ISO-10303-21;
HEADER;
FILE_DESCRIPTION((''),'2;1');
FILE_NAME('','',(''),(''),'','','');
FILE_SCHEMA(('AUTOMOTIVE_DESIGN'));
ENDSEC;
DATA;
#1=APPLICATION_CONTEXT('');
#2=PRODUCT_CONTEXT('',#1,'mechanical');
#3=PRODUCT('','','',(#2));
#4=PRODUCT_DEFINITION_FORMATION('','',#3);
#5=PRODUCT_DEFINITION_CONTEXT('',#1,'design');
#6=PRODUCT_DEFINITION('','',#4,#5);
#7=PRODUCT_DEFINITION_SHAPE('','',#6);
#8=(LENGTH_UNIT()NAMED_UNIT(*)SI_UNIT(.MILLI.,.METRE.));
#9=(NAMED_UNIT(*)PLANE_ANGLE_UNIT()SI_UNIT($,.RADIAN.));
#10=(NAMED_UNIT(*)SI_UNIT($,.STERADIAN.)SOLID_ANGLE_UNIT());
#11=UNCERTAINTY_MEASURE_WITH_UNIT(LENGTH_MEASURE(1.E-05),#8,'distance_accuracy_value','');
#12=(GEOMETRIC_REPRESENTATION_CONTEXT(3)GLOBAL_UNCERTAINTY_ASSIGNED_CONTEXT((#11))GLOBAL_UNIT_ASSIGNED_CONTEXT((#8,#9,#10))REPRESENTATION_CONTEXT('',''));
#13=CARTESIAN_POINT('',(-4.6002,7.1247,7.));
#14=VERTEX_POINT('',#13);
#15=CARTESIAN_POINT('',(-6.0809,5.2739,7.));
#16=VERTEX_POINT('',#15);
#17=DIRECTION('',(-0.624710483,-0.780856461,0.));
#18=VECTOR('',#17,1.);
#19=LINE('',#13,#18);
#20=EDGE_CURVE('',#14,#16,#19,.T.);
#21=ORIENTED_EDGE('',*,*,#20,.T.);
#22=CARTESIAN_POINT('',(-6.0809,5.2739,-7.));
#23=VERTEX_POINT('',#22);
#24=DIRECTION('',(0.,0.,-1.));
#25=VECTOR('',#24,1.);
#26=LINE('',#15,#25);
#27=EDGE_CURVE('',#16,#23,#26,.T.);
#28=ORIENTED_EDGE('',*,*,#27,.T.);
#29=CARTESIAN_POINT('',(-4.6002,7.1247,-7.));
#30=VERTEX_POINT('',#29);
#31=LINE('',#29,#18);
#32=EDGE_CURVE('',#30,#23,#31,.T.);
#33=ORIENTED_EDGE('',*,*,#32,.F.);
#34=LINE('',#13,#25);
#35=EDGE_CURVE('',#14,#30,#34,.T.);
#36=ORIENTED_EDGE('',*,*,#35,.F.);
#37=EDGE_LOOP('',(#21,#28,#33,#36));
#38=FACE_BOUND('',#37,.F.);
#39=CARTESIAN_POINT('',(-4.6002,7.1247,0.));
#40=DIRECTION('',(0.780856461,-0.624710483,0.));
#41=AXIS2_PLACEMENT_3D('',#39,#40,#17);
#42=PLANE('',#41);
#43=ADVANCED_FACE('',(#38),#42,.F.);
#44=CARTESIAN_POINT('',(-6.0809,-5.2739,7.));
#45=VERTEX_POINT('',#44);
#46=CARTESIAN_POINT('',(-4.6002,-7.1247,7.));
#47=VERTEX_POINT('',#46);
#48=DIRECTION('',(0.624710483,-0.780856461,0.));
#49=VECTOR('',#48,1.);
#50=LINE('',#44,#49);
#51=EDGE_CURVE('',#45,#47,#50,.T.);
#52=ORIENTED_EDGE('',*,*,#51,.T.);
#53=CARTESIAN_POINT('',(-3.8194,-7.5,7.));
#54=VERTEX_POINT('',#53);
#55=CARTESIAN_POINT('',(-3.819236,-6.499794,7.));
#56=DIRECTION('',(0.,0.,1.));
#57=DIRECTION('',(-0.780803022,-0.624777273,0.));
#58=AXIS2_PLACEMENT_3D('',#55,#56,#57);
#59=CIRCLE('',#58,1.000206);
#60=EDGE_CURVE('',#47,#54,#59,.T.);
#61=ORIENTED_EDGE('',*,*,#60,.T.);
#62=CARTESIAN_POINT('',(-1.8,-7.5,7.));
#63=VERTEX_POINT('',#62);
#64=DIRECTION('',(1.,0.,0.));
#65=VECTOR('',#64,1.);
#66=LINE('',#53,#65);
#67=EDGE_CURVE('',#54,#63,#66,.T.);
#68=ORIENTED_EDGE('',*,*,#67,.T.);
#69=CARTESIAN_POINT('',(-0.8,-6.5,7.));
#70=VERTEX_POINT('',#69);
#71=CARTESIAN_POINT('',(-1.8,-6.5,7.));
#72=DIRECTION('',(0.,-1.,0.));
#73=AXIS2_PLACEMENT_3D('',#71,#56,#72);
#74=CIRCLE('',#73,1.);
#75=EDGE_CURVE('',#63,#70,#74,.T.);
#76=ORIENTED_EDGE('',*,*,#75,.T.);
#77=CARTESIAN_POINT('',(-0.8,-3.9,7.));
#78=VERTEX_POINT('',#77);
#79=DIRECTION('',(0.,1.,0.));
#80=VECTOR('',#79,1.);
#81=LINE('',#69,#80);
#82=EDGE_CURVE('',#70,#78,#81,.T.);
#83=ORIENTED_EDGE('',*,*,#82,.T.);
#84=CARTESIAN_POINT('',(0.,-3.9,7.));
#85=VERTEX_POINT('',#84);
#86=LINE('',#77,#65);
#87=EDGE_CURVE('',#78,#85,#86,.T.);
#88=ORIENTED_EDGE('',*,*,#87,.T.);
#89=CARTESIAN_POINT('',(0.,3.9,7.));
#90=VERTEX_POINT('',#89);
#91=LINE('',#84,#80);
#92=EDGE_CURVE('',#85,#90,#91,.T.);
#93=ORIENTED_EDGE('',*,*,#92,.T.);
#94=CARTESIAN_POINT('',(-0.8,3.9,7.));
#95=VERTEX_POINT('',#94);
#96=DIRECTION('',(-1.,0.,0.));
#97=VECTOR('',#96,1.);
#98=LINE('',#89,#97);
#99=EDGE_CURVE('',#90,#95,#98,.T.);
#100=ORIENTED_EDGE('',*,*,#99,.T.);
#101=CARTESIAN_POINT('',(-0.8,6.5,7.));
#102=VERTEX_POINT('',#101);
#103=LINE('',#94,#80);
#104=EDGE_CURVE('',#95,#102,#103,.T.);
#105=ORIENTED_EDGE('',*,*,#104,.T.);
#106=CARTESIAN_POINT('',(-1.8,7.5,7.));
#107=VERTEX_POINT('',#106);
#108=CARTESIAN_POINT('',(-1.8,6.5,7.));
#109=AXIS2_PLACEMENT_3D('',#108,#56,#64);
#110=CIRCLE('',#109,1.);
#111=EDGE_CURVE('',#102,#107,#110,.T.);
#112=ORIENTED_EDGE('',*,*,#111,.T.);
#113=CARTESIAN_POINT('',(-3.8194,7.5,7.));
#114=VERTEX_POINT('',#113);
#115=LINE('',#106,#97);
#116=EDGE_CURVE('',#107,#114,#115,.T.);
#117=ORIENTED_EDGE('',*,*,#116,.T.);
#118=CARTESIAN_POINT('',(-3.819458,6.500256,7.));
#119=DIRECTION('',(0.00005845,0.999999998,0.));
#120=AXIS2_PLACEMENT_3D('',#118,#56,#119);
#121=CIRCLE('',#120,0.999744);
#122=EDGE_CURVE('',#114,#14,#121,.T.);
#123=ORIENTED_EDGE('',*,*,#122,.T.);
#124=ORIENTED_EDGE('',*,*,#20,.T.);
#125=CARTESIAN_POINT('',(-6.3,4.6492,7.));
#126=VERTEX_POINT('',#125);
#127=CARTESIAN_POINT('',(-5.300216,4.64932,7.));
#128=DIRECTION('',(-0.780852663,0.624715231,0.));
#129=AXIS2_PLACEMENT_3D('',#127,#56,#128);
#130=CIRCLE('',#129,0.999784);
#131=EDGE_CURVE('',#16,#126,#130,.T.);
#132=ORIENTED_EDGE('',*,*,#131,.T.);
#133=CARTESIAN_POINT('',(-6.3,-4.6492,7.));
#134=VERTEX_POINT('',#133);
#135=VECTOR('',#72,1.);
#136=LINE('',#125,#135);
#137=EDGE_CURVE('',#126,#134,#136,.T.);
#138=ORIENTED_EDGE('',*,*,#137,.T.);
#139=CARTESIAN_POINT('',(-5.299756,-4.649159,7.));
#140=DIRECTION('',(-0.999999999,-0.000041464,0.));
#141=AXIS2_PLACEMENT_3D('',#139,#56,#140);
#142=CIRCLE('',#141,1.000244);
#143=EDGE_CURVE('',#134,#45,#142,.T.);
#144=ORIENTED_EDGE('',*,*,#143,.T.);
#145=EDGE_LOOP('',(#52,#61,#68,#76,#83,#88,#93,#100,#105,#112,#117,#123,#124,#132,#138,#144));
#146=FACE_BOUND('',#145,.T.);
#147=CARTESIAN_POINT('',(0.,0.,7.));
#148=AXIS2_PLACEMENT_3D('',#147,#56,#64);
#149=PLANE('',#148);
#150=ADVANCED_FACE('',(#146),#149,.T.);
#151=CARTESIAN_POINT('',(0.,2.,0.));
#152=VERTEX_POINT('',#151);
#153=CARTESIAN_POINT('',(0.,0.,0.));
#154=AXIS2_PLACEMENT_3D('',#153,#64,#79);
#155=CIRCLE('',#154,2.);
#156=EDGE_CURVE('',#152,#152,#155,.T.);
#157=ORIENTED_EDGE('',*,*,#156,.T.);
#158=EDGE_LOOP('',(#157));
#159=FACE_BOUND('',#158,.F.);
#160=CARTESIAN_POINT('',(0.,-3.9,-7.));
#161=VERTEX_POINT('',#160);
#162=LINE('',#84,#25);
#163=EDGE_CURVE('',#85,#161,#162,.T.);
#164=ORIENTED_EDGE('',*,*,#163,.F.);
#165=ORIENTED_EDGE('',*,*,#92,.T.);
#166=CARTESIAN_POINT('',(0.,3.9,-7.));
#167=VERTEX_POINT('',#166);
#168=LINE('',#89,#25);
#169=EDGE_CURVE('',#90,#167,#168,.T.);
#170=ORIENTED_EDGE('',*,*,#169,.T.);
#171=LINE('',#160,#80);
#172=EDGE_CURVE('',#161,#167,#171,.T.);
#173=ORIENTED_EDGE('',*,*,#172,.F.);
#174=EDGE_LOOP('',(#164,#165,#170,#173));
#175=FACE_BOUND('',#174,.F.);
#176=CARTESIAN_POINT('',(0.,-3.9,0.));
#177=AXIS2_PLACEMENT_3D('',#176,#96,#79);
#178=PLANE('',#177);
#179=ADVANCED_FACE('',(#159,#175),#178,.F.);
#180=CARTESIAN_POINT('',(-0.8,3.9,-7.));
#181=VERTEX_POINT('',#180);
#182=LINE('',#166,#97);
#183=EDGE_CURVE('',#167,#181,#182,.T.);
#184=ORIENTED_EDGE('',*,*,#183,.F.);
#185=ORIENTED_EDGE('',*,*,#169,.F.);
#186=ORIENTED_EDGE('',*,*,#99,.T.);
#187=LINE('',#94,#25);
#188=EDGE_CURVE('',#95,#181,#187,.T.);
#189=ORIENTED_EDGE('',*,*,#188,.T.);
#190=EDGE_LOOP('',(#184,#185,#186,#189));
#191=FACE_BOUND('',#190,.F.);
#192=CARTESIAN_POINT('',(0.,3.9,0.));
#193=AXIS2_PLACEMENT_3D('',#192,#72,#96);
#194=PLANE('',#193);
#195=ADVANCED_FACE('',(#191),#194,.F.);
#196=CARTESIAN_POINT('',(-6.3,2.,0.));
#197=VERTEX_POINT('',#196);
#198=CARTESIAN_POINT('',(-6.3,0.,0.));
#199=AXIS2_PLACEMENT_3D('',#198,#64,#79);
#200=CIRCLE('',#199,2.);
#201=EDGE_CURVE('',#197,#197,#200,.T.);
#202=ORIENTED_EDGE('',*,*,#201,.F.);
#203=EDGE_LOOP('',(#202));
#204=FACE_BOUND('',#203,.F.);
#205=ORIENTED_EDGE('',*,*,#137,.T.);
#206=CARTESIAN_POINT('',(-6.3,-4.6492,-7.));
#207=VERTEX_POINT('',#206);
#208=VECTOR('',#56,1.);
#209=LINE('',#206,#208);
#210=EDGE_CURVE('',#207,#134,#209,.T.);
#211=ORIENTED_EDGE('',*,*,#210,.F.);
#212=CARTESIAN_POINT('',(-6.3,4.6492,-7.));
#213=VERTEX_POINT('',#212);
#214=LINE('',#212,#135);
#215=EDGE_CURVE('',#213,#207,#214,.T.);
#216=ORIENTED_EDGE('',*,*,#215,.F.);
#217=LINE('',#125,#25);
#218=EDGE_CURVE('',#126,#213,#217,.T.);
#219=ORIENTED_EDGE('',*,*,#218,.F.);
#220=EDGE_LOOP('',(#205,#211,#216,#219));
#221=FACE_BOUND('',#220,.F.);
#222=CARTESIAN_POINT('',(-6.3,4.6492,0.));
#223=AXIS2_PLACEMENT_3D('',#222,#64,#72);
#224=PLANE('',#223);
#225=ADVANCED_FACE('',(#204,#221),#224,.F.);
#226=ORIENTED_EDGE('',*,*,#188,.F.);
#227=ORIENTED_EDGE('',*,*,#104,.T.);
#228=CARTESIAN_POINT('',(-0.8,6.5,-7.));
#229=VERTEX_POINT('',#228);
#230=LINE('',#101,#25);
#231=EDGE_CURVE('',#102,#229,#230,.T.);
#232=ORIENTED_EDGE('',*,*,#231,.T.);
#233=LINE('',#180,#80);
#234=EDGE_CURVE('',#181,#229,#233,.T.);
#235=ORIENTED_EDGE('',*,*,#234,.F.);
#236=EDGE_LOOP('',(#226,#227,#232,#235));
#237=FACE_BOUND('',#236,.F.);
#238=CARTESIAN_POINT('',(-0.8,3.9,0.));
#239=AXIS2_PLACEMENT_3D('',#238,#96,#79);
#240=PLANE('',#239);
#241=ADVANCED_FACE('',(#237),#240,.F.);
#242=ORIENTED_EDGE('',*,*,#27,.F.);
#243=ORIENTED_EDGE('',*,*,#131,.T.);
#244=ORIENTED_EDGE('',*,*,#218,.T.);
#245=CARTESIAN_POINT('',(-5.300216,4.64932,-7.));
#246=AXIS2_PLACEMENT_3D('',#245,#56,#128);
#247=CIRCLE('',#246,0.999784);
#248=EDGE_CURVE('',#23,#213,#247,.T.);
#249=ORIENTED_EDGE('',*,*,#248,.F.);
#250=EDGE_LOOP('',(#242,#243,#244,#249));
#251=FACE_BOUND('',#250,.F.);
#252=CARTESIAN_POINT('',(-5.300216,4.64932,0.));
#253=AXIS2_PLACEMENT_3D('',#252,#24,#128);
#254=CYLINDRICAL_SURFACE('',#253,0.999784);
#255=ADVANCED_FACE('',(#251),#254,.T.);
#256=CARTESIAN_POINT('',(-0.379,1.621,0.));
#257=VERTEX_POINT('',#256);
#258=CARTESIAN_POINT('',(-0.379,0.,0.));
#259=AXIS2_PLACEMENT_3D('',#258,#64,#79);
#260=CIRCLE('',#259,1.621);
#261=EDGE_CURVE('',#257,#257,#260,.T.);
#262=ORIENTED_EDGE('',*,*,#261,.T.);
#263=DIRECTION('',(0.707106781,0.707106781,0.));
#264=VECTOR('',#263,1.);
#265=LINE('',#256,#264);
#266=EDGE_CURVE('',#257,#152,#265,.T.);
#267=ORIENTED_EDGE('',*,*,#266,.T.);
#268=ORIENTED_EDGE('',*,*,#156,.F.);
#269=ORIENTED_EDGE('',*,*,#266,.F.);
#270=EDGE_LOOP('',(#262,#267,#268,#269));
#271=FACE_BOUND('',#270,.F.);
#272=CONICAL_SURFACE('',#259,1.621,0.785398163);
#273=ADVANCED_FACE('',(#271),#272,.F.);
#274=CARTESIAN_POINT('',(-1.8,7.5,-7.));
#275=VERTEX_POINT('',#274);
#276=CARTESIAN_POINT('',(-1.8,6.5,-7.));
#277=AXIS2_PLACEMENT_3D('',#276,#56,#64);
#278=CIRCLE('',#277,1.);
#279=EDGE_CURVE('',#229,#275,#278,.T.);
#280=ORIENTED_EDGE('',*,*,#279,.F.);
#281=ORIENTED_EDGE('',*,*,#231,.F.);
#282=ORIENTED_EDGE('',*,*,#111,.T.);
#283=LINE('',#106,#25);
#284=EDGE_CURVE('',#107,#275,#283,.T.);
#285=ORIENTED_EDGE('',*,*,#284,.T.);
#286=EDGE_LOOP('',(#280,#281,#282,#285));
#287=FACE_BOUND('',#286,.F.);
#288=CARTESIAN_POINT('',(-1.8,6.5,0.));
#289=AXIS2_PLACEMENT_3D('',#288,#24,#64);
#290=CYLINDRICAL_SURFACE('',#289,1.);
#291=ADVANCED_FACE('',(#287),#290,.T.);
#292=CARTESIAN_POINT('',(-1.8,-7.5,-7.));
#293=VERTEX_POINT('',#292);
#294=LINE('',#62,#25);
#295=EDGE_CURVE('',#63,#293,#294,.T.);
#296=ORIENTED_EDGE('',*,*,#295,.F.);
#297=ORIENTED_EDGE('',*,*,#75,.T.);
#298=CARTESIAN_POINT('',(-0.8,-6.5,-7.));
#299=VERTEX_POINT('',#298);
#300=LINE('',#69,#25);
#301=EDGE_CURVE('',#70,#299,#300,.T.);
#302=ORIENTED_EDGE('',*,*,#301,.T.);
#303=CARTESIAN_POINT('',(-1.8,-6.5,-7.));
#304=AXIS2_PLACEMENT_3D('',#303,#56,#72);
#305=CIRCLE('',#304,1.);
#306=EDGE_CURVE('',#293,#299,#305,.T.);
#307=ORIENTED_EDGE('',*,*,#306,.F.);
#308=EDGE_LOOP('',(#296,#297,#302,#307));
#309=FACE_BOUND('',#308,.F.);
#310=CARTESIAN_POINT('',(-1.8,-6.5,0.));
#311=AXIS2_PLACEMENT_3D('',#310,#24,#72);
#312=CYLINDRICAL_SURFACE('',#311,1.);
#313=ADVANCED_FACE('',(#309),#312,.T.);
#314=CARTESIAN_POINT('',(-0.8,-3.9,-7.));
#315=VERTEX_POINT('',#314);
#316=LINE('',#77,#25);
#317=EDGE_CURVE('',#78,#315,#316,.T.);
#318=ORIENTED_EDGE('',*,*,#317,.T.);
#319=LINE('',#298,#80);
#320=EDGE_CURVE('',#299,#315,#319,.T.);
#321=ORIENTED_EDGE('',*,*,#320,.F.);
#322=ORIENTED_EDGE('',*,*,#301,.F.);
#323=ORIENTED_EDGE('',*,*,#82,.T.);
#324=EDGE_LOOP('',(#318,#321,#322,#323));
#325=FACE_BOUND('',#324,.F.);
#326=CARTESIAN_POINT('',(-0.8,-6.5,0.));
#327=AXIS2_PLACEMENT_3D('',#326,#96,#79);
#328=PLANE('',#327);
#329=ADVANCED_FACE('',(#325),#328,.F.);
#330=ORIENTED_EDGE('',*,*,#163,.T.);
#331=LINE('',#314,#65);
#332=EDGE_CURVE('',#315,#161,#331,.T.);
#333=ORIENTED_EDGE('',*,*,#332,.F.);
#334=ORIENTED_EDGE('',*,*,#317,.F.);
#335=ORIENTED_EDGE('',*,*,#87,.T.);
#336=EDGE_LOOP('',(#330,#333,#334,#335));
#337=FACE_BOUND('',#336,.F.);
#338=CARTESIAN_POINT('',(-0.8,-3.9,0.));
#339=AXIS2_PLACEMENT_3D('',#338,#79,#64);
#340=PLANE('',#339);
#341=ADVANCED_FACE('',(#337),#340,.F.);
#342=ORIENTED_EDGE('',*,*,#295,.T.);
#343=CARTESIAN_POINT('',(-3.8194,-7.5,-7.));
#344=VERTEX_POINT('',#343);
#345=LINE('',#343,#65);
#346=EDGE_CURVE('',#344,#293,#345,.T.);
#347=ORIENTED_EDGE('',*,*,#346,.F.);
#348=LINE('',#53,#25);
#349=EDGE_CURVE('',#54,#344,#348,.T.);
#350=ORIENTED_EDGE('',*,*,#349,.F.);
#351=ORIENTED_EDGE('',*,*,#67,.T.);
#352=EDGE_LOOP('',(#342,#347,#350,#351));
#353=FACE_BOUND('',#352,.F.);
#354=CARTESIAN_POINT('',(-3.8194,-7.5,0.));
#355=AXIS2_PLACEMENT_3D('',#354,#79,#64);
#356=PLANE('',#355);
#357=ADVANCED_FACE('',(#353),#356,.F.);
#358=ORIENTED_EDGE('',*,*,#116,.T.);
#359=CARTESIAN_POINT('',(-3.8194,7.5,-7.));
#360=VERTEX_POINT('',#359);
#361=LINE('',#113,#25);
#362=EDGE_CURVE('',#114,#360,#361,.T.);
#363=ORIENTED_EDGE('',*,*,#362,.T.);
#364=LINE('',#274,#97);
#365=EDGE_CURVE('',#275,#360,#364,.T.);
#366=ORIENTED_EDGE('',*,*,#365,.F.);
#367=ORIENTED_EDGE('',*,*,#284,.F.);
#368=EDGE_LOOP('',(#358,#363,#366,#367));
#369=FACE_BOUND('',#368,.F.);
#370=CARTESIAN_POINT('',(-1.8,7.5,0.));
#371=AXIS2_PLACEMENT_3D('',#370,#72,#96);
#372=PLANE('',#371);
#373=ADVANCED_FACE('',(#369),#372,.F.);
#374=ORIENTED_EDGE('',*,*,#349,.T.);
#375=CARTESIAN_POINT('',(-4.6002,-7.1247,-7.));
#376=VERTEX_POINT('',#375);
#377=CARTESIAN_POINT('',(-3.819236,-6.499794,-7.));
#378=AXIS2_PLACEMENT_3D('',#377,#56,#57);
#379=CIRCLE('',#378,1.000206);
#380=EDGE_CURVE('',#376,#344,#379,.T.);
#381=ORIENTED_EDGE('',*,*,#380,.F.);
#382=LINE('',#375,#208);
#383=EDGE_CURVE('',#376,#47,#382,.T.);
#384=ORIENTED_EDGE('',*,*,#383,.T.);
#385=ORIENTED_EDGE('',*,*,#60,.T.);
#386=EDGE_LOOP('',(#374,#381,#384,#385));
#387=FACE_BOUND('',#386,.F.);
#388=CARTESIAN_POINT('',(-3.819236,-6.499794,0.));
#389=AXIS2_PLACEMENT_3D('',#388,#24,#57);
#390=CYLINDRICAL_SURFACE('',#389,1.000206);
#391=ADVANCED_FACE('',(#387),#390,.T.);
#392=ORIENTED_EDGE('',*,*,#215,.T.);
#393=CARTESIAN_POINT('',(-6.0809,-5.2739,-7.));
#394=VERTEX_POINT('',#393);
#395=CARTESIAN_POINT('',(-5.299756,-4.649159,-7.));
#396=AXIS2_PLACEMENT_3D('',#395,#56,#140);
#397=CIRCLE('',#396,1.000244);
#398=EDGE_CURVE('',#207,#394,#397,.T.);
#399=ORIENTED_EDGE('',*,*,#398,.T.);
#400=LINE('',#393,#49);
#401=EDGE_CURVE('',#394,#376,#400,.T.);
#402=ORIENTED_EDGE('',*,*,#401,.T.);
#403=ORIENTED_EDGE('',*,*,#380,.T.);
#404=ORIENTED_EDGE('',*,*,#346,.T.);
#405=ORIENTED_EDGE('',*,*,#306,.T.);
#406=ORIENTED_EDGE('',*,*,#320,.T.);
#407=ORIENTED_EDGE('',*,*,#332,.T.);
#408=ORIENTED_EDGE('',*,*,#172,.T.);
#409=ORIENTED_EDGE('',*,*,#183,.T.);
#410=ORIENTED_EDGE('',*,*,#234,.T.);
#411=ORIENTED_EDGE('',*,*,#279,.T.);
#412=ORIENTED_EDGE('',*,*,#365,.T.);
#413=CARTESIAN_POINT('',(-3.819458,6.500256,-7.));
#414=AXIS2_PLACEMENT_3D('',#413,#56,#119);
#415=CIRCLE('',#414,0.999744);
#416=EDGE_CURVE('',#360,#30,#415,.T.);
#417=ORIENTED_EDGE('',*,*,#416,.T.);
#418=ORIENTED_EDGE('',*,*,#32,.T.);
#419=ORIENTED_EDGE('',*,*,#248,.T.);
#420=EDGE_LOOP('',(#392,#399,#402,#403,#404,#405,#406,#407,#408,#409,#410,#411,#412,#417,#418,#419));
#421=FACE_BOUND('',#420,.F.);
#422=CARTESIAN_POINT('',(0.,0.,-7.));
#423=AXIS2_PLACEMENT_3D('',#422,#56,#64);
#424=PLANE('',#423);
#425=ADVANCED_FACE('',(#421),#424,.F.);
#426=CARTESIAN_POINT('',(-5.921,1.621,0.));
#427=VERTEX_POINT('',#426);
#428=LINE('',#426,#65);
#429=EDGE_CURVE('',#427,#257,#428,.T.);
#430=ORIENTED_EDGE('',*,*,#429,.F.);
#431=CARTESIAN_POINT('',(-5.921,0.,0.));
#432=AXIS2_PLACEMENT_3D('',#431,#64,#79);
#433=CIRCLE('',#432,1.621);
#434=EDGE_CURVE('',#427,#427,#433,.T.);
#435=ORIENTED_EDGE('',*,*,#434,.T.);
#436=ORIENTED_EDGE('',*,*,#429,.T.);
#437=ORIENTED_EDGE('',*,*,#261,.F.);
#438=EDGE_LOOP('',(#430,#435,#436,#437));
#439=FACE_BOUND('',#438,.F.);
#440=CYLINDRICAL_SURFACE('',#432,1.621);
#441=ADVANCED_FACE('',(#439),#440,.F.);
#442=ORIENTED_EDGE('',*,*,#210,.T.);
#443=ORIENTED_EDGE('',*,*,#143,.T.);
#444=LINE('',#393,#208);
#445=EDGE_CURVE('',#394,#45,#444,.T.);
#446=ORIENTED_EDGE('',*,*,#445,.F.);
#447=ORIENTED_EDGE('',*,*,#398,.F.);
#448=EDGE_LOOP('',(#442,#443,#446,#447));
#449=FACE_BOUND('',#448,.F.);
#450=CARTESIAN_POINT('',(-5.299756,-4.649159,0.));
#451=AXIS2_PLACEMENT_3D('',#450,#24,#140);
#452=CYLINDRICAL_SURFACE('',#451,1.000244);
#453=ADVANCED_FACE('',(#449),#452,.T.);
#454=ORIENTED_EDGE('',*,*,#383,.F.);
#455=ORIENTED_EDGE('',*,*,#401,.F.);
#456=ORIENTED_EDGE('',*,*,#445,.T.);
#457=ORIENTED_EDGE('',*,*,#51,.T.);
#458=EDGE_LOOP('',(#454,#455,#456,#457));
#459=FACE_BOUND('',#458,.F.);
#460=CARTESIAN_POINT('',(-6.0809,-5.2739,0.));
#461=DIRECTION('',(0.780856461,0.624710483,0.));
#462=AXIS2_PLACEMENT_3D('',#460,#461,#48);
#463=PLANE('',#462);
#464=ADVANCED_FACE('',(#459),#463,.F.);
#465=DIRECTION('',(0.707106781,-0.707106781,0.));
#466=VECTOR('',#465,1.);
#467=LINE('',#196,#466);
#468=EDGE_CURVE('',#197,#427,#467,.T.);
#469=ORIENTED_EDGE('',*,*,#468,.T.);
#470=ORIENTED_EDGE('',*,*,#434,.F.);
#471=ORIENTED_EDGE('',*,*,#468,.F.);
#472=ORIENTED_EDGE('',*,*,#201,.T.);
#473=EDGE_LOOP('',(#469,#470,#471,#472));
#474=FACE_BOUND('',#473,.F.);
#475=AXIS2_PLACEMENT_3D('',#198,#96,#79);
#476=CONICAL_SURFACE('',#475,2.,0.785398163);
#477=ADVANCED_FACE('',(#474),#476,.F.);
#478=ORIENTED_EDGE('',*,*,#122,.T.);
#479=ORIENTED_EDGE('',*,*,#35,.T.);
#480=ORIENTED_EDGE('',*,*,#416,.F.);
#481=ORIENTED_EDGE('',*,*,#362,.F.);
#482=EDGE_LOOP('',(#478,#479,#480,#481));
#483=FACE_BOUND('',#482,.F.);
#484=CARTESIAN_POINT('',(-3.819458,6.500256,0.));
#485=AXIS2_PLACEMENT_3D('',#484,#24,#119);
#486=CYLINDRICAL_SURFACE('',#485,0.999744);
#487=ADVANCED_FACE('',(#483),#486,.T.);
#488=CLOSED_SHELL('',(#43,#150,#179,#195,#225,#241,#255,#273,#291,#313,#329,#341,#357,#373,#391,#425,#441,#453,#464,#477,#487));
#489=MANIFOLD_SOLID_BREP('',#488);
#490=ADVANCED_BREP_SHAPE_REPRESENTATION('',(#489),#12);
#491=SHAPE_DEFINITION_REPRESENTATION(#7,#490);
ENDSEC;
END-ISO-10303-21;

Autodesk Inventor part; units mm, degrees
sketch "Sketch_1" plane through (0, 0, 0) normal (0, 0, 1) x (1, 0, 0)
  arc A0 (-6.3, -4.6492) -> (-6.0809, -5.2739) centre (-5.3, -4.6492) ccw
  line L0 (-6.0809, -5.2739) -> (-4.6002, -7.1247)
  arc A1 (-4.6002, -7.1247) -> (-3.8194, -7.5) centre (-3.8194, -6.5) ccw
  line L1 (-3.8194, -7.5) -> (-1.8, -7.5)
  arc A2 (-1.8, -7.5) -> (-0.8, -6.5) centre (-1.8, -6.5) ccw
  line L2 (-0.8, -6.5) -> (-0.8, -3.9)
  line L3 (-0.8, -3.9) -> (0, -3.9)
  line L4 (0, -3.9) -> (0, 3.9)
  line L5 (0, 3.9) -> (-0.8, 3.9)
  line L6 (-0.8, 3.9) -> (-0.8, 6.5)
  arc A3 (-0.8, 6.5) -> (-1.8, 7.5) centre (-1.8, 6.5) ccw
  line L7 (-1.8, 7.5) -> (-3.8194, 7.5)
  arc A4 (-3.8194, 7.5) -> (-4.6002, 7.1247) centre (-3.8194, 6.5) ccw
  line L8 (-4.6002, 7.1247) -> (-6.0809, 5.2739)
  arc A5 (-6.0809, 5.2739) -> (-6.3, 4.6492) centre (-5.3, 4.6492) ccw
  line L9 (-6.3, 4.6492) -> (-6.3, -4.6492)
extrude "Extrusion1" add sketch "Sketch_1" along normal mid plane 14
sketch "Sketch_5" plane through (0, 0, 0) normal (0, 0, 1) x (1, 0, 0)
  line L0 (0, 0) -> (-6.3, 0)
  line L1 (-6.3, 0) -> (-6.3, 2)
  line L2 (-6.3, 2) -> (-5.921, 1.621)
  line L3 (-5.921, 1.621) -> (-0.379, 1.621)
  line L4 (-0.379, 1.621) -> (0, 2)
  line L5 (0, 2) -> (0, 0)
  line L6 (0, 0) -> (-6.3, 0)
revolve "Revolution1" cut sketch "Sketch_5" angle 360 about axis through (0, 0, 0) along (1, 0, 0)
thread "Thread1" size "M4x0.7" class "6H" standard "ISO Metric profile" full length
ref_plane "nut_XY" through (0, 0, 0) normal (1, 0, 0) x (0, 0, -1)
ref_plane "nut_YZ" through (0, 0, 0) normal (0, 0, -1) x (0, 1, 0)
ref_plane "nut_ZX" through (0, 0, 0) normal (0, 1, 0) x (1, 0, 0)
ref_plane "to_bolt_XY" through (-6.3, 0, 0) normal (1, 0, 0) x (0, 0, -1)
ref_plane "to_bolt_YZ" through (-6.3, 0, 0) normal (0, 0, -1) x (0, 1, 0)
ref_plane "to_bolt_ZX" through (-6.3, 0, 0) normal (0, 1, 0) x (1, 0, 0)
ref_plane "to_frames_XY" through (-0.8, 0, 0) normal (1, 0, 0) x (0, 0, -1)
ref_plane "to_frames_YZ" through (-0.8, 0, 0) normal (0, 0, -1) x (0, 1, 0)
ref_plane "to_frames_ZX" through (-0.8, 0, 0) normal (0, 1, 0) x (1, 0, 0)
properties part number "HNTT6-4" material "ステンレス鋼"
